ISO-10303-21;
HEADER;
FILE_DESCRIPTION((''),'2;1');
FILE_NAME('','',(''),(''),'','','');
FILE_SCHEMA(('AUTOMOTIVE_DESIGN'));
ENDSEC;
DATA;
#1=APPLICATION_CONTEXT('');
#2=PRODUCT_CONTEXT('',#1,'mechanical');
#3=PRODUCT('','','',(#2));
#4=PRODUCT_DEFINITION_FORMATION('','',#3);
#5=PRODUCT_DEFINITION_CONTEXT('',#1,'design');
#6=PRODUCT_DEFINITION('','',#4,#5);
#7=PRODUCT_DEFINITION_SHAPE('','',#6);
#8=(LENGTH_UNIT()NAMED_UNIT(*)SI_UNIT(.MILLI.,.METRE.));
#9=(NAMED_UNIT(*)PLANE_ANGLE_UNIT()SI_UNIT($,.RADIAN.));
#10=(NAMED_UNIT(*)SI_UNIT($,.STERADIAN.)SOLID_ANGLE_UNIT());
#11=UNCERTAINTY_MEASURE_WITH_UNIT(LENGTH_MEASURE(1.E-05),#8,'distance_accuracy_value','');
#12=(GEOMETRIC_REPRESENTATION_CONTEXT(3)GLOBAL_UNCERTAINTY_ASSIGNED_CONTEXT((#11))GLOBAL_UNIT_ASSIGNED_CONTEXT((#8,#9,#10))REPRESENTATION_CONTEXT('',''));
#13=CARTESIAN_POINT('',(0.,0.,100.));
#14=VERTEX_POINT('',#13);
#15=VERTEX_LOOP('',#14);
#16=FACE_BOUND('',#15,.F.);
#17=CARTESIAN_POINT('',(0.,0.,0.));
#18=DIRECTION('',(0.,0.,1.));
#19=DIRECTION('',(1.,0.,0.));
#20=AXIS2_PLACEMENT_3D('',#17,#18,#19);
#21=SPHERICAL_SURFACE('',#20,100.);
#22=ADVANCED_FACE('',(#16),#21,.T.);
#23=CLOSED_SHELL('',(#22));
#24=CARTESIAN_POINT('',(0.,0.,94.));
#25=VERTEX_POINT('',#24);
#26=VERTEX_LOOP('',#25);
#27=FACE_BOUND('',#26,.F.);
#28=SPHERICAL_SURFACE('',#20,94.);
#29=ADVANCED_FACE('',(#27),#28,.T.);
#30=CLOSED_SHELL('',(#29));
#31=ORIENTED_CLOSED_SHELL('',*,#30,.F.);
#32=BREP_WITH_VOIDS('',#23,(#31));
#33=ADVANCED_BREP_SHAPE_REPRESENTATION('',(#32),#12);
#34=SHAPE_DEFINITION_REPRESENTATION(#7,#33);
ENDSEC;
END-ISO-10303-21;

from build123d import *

# Parameters (mm, degrees)
F2_T = -6


with BuildPart() as f1:
    # F0 (on Front) → F1 (revolve)
    with BuildSketch(Plane.XZ):
        with BuildLine():
            ThreePointArc((0, -100), (100, 0), (0, 100))
            Line((0, 100), (0, -100))
        make_face()
    revolve(axis=Axis((0, 0, 0), (0, 0, -1)))

    # F2 (hollow: no face is removed)
    offset(amount=F2_T, mode=Mode.SUBTRACT)


solid = f1.part
